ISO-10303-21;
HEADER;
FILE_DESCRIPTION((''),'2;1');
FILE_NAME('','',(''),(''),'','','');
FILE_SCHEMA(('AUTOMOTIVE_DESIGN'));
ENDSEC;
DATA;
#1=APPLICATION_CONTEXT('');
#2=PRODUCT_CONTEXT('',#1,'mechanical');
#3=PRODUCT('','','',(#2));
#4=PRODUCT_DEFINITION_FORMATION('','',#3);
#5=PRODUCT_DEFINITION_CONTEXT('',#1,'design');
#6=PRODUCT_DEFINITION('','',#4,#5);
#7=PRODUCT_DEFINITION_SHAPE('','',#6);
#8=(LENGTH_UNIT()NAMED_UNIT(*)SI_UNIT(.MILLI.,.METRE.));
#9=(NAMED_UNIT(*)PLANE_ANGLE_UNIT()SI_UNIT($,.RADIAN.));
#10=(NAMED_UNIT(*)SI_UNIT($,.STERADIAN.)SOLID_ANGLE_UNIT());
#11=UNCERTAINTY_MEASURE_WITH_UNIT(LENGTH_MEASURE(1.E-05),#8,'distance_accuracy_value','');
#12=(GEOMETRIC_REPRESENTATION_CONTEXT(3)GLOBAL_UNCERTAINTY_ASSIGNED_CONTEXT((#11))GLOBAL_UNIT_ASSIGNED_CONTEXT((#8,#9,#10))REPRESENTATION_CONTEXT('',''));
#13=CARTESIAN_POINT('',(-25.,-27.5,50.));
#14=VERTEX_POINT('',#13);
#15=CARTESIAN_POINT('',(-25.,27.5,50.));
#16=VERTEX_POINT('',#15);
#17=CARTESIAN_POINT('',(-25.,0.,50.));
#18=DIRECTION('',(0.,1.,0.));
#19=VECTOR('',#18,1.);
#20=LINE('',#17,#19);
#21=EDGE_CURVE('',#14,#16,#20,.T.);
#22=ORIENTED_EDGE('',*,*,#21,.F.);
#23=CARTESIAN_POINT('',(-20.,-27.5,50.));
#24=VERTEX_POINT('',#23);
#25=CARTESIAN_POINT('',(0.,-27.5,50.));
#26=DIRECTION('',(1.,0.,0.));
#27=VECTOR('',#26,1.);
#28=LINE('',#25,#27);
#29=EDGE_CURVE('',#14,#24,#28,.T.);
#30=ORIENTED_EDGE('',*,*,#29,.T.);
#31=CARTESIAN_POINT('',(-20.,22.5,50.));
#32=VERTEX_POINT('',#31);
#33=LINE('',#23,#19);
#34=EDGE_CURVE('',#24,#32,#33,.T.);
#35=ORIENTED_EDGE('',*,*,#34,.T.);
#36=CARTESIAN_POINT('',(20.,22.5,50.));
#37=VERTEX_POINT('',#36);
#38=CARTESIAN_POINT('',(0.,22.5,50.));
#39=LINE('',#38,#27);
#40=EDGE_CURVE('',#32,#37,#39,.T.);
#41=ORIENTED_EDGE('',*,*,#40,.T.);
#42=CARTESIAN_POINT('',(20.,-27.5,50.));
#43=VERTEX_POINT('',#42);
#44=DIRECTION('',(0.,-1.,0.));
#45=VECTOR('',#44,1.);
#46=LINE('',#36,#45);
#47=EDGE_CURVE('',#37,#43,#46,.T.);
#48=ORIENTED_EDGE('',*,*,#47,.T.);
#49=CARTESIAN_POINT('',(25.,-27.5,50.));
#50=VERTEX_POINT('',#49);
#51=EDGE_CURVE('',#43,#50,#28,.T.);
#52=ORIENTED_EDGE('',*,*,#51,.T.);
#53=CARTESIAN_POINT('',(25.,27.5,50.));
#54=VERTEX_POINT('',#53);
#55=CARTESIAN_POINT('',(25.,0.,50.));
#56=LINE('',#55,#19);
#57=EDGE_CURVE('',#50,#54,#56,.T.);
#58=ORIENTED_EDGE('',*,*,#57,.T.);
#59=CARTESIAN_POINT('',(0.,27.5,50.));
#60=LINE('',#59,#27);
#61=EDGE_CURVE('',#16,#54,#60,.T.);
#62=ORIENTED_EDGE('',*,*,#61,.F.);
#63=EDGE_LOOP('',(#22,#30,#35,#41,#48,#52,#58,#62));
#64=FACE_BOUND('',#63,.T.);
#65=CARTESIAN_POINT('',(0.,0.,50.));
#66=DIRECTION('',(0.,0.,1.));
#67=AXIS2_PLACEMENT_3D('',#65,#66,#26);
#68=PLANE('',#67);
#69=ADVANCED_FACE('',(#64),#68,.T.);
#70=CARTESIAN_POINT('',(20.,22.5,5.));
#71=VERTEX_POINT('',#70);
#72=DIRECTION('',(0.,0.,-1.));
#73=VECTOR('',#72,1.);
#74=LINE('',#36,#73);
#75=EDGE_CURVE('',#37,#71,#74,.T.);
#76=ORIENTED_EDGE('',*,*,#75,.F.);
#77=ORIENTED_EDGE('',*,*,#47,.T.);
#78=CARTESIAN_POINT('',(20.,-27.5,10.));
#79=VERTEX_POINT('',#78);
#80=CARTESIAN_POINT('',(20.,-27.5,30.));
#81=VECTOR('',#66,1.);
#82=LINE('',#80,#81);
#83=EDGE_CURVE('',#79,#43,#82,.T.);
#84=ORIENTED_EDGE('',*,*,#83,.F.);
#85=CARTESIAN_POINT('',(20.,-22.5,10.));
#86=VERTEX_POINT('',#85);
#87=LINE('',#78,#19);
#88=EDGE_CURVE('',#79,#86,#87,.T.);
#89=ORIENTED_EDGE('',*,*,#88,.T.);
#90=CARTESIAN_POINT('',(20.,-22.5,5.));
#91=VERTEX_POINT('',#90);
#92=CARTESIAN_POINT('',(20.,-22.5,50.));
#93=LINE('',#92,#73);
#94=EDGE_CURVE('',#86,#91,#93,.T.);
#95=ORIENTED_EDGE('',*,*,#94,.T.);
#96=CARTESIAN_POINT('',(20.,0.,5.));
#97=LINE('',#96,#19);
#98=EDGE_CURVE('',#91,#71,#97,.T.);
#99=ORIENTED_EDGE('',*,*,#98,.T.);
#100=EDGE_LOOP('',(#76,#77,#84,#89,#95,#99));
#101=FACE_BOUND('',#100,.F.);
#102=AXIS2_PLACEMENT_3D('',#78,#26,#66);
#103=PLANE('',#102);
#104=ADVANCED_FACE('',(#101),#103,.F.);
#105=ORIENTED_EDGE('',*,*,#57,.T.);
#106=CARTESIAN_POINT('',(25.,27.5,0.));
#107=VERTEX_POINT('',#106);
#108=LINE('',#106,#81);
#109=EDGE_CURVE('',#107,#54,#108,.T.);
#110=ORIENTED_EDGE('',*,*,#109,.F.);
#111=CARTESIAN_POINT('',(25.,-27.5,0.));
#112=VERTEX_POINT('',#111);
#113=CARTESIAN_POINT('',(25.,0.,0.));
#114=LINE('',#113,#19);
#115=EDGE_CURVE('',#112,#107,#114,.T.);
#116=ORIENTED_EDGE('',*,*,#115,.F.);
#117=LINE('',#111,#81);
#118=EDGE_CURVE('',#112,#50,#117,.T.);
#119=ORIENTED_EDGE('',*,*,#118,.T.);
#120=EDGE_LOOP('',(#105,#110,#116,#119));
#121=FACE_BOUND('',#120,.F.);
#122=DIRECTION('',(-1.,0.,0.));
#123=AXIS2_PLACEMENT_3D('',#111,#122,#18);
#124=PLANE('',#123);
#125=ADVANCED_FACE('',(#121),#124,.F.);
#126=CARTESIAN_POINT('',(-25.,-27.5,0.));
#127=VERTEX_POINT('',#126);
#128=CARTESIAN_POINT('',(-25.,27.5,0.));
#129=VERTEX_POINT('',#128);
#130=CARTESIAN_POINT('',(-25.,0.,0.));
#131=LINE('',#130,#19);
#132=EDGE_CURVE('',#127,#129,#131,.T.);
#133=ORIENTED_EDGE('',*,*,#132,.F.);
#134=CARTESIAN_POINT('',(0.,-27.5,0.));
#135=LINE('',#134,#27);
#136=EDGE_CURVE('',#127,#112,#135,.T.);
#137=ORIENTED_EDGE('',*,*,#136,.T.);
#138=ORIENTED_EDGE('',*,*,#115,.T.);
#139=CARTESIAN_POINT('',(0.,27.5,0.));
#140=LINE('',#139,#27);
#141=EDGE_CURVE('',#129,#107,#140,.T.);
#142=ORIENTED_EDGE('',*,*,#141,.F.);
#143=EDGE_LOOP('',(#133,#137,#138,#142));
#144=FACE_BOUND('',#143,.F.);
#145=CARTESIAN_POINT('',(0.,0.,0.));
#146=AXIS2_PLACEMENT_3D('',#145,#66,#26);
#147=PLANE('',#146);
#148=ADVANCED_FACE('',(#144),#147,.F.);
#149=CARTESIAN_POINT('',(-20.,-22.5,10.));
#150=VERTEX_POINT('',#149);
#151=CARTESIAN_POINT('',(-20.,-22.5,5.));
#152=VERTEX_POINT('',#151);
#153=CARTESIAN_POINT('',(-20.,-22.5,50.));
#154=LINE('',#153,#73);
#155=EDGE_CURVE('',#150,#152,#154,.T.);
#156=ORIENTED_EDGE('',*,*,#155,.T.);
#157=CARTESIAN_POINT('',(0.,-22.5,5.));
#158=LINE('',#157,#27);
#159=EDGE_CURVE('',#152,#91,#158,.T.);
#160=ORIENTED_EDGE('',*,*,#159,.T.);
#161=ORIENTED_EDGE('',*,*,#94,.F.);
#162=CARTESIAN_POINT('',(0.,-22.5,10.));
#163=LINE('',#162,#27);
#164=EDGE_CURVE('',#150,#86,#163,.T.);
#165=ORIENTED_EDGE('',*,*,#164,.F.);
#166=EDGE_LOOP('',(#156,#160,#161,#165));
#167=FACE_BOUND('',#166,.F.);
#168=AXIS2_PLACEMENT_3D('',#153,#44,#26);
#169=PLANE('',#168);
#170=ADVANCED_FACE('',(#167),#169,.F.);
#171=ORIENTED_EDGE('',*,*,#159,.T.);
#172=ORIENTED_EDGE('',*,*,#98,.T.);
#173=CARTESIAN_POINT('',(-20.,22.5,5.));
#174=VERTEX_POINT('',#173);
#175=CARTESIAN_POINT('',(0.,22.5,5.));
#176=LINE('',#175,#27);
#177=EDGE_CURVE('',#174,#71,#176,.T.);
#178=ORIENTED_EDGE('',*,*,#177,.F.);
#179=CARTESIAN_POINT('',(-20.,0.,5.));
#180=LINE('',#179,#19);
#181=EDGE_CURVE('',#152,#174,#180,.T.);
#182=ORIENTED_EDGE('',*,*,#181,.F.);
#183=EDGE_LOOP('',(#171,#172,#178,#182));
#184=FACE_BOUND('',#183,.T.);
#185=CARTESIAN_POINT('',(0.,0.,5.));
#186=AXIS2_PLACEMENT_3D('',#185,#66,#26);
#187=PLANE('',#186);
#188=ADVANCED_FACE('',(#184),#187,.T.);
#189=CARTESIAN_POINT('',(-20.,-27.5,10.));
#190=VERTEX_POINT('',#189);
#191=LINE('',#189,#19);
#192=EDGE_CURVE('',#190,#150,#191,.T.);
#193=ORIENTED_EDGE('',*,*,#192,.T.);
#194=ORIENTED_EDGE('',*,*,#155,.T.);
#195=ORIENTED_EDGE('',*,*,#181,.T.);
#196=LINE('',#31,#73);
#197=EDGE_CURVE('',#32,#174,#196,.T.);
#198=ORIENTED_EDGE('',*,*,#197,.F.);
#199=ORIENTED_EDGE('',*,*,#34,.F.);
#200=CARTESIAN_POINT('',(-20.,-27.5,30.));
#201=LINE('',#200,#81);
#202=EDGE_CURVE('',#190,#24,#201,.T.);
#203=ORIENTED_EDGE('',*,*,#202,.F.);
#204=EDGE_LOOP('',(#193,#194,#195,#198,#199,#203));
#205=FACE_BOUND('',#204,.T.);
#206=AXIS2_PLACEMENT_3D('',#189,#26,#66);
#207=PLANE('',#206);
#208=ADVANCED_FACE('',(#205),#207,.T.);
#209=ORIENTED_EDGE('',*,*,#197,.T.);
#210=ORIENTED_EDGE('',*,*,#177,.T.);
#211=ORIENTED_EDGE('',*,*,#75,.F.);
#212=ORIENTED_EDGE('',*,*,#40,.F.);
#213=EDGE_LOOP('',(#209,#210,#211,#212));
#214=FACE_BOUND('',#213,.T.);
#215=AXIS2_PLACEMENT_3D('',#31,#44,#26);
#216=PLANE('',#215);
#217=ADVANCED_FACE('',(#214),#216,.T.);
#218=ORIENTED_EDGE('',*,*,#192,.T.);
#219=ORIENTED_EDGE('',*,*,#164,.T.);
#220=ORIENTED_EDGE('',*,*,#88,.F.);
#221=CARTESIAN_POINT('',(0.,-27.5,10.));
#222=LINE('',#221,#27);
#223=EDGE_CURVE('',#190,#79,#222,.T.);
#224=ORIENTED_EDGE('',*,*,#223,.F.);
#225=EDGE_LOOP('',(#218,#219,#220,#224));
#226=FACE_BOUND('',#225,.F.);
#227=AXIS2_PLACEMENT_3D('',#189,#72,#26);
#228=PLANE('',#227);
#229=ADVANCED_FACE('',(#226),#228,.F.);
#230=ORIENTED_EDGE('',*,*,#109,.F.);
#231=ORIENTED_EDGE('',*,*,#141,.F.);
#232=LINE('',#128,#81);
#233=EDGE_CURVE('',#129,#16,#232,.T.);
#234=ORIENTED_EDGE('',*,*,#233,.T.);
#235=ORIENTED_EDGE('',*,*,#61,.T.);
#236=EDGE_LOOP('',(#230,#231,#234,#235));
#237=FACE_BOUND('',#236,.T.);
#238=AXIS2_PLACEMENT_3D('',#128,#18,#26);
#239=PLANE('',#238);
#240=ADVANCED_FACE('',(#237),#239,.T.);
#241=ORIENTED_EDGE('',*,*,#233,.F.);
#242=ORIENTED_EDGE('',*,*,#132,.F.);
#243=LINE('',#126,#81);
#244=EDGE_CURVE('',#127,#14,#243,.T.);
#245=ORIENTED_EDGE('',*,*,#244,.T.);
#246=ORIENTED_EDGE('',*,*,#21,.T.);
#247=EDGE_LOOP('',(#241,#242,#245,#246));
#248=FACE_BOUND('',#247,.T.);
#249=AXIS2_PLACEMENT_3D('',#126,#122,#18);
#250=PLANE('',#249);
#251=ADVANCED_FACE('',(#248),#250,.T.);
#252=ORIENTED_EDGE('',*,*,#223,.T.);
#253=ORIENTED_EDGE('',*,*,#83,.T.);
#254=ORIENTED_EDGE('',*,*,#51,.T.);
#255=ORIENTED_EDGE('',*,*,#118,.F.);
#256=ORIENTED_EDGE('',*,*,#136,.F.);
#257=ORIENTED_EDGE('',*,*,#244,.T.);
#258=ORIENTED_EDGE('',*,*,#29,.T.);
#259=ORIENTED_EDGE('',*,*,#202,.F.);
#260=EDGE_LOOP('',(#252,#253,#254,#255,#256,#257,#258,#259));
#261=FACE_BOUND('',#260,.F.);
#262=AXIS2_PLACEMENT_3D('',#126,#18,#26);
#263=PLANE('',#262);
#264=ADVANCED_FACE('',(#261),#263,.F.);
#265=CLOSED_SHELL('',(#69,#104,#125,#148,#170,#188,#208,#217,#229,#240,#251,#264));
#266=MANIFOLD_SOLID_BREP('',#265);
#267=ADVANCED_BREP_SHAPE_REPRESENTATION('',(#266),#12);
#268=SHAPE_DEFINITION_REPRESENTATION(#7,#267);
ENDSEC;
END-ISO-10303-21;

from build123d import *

# Parameters (mm, degrees)
F0_W     = 50
F0_H     = 55
F1_DEPTH = 50
F2_W     = 40
F2_H     = 45
F3_DEPTH = 45
F4_W     = 40
F4_H     = 40
F5_DEPTH = 5


with BuildPart() as f1:
    # F0 (on Top) → F1 (new body)
    with BuildSketch(Plane.XY):
        Rectangle(F0_W, F0_H)
    extrude(amount=F1_DEPTH)

    # F2 (on face) → F3 (cut)
    with BuildSketch(Plane.XY.offset(50)):
        Rectangle(F2_W, F2_H)
    extrude(amount=-F3_DEPTH, mode=Mode.SUBTRACT)

    # F4 (on face) → F5 (cut)
    with BuildSketch(Plane.XZ.offset(27.5)):
        with Locations((0, 30)):
            Rectangle(F4_W, F4_H)
    extrude(amount=-F5_DEPTH, mode=Mode.SUBTRACT)


solid = f1.part
